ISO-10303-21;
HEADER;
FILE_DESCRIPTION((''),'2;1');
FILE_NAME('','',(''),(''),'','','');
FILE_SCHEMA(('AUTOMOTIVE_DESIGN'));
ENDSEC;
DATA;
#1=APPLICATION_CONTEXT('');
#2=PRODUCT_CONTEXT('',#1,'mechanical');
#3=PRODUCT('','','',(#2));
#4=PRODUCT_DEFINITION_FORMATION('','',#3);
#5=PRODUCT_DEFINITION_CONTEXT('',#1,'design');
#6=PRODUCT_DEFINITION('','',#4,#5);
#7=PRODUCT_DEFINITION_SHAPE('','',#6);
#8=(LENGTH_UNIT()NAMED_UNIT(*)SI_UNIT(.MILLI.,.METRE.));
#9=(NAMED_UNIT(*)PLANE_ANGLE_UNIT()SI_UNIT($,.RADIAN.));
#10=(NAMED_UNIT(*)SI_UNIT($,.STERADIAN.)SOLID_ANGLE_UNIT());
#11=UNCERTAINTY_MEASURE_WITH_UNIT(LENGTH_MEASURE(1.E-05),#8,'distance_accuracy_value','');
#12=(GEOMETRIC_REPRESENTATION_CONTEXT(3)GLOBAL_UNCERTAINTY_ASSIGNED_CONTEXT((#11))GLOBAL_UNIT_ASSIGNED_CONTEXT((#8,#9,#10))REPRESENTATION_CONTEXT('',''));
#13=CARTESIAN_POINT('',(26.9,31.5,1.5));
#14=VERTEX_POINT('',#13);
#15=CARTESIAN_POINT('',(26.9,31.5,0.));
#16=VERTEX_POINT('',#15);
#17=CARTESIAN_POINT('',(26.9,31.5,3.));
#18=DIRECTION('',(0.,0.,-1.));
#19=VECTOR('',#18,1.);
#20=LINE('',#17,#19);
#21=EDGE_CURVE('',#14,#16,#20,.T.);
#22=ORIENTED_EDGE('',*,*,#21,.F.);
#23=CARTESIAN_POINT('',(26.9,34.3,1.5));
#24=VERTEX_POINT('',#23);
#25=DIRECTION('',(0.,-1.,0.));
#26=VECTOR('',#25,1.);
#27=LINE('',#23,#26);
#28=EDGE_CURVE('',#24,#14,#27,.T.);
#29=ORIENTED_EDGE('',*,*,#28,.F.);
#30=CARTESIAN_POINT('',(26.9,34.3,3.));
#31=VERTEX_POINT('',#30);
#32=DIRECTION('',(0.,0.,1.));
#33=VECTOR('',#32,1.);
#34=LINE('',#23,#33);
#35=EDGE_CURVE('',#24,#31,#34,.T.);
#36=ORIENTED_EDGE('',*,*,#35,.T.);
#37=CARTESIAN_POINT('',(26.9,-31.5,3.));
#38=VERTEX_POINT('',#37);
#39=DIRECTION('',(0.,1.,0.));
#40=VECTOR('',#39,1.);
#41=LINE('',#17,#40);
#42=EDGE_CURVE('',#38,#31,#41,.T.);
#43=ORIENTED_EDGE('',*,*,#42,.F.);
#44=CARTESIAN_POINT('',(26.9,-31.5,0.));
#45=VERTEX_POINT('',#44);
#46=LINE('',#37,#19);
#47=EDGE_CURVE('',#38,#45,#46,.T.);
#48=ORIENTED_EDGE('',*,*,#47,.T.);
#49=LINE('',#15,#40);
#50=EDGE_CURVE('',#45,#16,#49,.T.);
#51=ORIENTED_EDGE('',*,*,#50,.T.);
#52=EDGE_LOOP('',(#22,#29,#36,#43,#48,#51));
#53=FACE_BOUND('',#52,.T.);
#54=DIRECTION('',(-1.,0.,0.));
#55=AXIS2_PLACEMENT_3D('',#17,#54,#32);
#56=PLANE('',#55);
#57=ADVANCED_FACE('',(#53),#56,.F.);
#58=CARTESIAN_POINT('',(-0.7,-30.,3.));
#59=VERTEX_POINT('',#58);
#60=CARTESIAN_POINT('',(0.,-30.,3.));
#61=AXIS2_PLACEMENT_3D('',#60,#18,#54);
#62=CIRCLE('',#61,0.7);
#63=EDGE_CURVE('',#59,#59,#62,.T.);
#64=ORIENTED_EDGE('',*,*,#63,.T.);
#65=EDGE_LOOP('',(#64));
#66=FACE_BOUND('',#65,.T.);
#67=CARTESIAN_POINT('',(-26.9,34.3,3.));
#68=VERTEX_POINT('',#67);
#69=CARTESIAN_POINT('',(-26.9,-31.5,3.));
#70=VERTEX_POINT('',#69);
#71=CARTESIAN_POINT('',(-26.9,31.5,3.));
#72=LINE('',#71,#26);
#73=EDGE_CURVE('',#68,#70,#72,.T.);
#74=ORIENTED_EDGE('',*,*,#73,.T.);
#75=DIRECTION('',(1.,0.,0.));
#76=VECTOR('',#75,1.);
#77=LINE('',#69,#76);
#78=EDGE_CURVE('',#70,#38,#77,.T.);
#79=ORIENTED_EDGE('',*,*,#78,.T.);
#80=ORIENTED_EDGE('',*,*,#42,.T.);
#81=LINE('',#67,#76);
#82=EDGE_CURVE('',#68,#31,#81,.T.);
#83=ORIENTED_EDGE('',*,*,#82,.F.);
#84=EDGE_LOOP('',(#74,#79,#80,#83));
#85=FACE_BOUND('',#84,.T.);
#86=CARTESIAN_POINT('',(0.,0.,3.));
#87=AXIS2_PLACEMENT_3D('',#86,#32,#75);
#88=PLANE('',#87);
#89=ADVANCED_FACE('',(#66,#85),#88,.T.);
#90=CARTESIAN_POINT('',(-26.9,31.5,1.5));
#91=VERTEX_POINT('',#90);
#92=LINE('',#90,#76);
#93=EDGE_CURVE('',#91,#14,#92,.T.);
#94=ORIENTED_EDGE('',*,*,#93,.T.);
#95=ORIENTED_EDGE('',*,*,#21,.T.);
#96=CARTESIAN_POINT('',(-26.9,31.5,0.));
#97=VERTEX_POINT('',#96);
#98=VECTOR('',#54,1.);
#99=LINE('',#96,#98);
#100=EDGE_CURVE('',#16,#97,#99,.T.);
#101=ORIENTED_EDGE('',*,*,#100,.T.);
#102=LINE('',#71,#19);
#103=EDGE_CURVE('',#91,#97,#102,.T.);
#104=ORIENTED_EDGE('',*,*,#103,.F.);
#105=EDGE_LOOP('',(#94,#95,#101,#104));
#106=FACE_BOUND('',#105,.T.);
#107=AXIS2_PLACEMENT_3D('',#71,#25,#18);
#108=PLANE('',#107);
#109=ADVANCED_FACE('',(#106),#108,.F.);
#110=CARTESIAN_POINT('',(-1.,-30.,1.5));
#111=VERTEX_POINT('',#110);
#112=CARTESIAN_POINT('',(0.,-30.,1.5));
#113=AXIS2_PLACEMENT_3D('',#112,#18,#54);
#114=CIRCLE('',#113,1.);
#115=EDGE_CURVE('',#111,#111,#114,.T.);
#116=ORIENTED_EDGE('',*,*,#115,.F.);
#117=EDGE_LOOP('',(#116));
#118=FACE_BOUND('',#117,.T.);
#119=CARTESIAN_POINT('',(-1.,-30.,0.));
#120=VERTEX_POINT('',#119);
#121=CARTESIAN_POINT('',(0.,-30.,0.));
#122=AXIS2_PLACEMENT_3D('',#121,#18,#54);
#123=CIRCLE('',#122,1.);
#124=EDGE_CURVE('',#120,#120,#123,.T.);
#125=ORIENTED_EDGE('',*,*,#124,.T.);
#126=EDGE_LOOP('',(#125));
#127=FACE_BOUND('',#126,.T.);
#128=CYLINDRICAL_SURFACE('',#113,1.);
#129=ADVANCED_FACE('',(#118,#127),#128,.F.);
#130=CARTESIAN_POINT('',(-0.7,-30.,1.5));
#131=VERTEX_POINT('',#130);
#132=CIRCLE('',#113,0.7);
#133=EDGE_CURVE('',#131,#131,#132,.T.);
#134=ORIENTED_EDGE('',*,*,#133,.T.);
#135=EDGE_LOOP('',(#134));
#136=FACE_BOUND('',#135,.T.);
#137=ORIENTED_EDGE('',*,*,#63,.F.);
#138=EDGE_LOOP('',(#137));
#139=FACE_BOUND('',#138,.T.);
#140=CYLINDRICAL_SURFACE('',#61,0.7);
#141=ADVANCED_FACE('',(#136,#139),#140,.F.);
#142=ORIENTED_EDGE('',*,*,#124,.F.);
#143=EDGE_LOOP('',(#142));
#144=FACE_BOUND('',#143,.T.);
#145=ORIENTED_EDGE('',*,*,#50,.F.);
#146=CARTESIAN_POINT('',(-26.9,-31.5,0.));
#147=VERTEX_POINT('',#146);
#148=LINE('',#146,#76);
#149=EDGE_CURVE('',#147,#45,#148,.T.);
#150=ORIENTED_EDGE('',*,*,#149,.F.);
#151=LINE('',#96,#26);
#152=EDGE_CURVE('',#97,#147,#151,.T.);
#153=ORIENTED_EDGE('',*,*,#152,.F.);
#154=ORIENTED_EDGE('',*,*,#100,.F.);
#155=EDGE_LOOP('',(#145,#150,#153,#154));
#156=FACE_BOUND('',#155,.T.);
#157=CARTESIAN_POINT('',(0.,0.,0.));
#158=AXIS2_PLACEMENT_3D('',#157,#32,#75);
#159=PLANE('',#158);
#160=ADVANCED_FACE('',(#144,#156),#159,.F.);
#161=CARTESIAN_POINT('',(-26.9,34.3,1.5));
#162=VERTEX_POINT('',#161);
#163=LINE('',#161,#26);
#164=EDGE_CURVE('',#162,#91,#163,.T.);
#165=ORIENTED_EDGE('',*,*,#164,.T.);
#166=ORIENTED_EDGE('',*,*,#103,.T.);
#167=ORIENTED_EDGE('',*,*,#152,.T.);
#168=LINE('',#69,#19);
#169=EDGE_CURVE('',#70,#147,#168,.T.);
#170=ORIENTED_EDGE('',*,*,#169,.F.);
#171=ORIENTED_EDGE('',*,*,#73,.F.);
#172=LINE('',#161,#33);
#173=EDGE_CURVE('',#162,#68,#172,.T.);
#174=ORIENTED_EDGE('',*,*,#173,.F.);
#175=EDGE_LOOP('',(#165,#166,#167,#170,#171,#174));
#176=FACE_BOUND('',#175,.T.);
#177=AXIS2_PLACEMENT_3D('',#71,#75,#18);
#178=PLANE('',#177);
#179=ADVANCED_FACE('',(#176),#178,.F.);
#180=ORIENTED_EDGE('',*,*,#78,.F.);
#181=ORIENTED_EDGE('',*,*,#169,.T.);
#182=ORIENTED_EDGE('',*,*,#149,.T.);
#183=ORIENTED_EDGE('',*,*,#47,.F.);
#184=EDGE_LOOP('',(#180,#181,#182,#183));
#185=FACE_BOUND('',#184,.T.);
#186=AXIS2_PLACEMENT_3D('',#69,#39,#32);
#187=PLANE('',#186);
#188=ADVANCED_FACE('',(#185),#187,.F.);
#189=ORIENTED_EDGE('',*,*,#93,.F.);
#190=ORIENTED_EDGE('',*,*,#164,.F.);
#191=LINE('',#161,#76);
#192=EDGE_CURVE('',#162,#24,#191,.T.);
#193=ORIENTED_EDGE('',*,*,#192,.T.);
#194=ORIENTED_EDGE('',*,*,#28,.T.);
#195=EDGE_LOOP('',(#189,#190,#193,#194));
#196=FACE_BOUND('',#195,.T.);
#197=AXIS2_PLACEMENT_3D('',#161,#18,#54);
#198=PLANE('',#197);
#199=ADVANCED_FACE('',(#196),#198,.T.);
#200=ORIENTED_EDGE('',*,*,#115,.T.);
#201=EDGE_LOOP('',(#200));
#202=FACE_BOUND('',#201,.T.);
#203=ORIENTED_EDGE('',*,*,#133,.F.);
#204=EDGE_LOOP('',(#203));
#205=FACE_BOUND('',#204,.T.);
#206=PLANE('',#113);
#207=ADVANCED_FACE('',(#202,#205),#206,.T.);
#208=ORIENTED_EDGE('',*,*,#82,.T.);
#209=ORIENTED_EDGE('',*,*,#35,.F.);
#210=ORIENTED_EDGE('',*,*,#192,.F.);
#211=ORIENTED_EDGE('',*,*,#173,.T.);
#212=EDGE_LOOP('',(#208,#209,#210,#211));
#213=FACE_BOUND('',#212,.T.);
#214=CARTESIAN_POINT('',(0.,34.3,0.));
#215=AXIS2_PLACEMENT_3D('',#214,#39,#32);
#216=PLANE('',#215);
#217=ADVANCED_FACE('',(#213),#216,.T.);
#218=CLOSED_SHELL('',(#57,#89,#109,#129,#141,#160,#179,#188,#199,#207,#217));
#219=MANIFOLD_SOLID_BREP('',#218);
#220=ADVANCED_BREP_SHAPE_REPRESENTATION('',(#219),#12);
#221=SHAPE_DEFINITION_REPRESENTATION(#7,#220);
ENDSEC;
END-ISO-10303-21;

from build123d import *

# Parameters (mm, degrees)
SKETCH_1_W          = 53.8
SKETCH_1_H          = 63
EXTRUDE_1_DEPTH     = 3
SKETCH_2_W          = 53.8
SKETCH_2_H          = 1.5
EXTRUDE_2_DEPTH     = 2.8
SKETCH_3_R          = 1
CUT_EXTRUDE_1_DEPTH = 1.5
SKETCH_3_4_R        = 0.7
CUT_EXTRUDE_2_DEPTH = 44.693248906


with BuildPart() as part:
    # 草图1 → 凸台-拉伸1 (new body)
    with BuildSketch(Plane.XY):
        Rectangle(SKETCH_1_W, SKETCH_1_H)
    extrude(amount=EXTRUDE_1_DEPTH)

    # 草图2 → 凸台-拉伸2 (add)
    with BuildSketch(Plane(origin=(0, 31.5, 0), x_dir=(1, 0, 0), z_dir=(0, 1, 0))):
        with Locations((0, -2.25)):
            Rectangle(SKETCH_2_W, SKETCH_2_H)
    extrude(amount=EXTRUDE_2_DEPTH)

    # 草图3 → 切除-拉伸1 (cut)
    with BuildSketch(Plane(origin=(0, 0, 0), x_dir=(-1, 0, 0), z_dir=(0, 0, -1))):
        with Locations((0, -30)):
            Circle(SKETCH_3_R)
    extrude(amount=-CUT_EXTRUDE_1_DEPTH, mode=Mode.SUBTRACT)

    # 草图3<4> → 切除-拉伸2 (cut, through all)
    with BuildSketch(Plane(origin=(0, 0, 0), x_dir=(-1, 0, 0), z_dir=(0, 0, -1))):
        with Locations((0, -30)):
            Circle(SKETCH_3_4_R)
    extrude(amount=-CUT_EXTRUDE_2_DEPTH, mode=Mode.SUBTRACT)


solid = part.part
